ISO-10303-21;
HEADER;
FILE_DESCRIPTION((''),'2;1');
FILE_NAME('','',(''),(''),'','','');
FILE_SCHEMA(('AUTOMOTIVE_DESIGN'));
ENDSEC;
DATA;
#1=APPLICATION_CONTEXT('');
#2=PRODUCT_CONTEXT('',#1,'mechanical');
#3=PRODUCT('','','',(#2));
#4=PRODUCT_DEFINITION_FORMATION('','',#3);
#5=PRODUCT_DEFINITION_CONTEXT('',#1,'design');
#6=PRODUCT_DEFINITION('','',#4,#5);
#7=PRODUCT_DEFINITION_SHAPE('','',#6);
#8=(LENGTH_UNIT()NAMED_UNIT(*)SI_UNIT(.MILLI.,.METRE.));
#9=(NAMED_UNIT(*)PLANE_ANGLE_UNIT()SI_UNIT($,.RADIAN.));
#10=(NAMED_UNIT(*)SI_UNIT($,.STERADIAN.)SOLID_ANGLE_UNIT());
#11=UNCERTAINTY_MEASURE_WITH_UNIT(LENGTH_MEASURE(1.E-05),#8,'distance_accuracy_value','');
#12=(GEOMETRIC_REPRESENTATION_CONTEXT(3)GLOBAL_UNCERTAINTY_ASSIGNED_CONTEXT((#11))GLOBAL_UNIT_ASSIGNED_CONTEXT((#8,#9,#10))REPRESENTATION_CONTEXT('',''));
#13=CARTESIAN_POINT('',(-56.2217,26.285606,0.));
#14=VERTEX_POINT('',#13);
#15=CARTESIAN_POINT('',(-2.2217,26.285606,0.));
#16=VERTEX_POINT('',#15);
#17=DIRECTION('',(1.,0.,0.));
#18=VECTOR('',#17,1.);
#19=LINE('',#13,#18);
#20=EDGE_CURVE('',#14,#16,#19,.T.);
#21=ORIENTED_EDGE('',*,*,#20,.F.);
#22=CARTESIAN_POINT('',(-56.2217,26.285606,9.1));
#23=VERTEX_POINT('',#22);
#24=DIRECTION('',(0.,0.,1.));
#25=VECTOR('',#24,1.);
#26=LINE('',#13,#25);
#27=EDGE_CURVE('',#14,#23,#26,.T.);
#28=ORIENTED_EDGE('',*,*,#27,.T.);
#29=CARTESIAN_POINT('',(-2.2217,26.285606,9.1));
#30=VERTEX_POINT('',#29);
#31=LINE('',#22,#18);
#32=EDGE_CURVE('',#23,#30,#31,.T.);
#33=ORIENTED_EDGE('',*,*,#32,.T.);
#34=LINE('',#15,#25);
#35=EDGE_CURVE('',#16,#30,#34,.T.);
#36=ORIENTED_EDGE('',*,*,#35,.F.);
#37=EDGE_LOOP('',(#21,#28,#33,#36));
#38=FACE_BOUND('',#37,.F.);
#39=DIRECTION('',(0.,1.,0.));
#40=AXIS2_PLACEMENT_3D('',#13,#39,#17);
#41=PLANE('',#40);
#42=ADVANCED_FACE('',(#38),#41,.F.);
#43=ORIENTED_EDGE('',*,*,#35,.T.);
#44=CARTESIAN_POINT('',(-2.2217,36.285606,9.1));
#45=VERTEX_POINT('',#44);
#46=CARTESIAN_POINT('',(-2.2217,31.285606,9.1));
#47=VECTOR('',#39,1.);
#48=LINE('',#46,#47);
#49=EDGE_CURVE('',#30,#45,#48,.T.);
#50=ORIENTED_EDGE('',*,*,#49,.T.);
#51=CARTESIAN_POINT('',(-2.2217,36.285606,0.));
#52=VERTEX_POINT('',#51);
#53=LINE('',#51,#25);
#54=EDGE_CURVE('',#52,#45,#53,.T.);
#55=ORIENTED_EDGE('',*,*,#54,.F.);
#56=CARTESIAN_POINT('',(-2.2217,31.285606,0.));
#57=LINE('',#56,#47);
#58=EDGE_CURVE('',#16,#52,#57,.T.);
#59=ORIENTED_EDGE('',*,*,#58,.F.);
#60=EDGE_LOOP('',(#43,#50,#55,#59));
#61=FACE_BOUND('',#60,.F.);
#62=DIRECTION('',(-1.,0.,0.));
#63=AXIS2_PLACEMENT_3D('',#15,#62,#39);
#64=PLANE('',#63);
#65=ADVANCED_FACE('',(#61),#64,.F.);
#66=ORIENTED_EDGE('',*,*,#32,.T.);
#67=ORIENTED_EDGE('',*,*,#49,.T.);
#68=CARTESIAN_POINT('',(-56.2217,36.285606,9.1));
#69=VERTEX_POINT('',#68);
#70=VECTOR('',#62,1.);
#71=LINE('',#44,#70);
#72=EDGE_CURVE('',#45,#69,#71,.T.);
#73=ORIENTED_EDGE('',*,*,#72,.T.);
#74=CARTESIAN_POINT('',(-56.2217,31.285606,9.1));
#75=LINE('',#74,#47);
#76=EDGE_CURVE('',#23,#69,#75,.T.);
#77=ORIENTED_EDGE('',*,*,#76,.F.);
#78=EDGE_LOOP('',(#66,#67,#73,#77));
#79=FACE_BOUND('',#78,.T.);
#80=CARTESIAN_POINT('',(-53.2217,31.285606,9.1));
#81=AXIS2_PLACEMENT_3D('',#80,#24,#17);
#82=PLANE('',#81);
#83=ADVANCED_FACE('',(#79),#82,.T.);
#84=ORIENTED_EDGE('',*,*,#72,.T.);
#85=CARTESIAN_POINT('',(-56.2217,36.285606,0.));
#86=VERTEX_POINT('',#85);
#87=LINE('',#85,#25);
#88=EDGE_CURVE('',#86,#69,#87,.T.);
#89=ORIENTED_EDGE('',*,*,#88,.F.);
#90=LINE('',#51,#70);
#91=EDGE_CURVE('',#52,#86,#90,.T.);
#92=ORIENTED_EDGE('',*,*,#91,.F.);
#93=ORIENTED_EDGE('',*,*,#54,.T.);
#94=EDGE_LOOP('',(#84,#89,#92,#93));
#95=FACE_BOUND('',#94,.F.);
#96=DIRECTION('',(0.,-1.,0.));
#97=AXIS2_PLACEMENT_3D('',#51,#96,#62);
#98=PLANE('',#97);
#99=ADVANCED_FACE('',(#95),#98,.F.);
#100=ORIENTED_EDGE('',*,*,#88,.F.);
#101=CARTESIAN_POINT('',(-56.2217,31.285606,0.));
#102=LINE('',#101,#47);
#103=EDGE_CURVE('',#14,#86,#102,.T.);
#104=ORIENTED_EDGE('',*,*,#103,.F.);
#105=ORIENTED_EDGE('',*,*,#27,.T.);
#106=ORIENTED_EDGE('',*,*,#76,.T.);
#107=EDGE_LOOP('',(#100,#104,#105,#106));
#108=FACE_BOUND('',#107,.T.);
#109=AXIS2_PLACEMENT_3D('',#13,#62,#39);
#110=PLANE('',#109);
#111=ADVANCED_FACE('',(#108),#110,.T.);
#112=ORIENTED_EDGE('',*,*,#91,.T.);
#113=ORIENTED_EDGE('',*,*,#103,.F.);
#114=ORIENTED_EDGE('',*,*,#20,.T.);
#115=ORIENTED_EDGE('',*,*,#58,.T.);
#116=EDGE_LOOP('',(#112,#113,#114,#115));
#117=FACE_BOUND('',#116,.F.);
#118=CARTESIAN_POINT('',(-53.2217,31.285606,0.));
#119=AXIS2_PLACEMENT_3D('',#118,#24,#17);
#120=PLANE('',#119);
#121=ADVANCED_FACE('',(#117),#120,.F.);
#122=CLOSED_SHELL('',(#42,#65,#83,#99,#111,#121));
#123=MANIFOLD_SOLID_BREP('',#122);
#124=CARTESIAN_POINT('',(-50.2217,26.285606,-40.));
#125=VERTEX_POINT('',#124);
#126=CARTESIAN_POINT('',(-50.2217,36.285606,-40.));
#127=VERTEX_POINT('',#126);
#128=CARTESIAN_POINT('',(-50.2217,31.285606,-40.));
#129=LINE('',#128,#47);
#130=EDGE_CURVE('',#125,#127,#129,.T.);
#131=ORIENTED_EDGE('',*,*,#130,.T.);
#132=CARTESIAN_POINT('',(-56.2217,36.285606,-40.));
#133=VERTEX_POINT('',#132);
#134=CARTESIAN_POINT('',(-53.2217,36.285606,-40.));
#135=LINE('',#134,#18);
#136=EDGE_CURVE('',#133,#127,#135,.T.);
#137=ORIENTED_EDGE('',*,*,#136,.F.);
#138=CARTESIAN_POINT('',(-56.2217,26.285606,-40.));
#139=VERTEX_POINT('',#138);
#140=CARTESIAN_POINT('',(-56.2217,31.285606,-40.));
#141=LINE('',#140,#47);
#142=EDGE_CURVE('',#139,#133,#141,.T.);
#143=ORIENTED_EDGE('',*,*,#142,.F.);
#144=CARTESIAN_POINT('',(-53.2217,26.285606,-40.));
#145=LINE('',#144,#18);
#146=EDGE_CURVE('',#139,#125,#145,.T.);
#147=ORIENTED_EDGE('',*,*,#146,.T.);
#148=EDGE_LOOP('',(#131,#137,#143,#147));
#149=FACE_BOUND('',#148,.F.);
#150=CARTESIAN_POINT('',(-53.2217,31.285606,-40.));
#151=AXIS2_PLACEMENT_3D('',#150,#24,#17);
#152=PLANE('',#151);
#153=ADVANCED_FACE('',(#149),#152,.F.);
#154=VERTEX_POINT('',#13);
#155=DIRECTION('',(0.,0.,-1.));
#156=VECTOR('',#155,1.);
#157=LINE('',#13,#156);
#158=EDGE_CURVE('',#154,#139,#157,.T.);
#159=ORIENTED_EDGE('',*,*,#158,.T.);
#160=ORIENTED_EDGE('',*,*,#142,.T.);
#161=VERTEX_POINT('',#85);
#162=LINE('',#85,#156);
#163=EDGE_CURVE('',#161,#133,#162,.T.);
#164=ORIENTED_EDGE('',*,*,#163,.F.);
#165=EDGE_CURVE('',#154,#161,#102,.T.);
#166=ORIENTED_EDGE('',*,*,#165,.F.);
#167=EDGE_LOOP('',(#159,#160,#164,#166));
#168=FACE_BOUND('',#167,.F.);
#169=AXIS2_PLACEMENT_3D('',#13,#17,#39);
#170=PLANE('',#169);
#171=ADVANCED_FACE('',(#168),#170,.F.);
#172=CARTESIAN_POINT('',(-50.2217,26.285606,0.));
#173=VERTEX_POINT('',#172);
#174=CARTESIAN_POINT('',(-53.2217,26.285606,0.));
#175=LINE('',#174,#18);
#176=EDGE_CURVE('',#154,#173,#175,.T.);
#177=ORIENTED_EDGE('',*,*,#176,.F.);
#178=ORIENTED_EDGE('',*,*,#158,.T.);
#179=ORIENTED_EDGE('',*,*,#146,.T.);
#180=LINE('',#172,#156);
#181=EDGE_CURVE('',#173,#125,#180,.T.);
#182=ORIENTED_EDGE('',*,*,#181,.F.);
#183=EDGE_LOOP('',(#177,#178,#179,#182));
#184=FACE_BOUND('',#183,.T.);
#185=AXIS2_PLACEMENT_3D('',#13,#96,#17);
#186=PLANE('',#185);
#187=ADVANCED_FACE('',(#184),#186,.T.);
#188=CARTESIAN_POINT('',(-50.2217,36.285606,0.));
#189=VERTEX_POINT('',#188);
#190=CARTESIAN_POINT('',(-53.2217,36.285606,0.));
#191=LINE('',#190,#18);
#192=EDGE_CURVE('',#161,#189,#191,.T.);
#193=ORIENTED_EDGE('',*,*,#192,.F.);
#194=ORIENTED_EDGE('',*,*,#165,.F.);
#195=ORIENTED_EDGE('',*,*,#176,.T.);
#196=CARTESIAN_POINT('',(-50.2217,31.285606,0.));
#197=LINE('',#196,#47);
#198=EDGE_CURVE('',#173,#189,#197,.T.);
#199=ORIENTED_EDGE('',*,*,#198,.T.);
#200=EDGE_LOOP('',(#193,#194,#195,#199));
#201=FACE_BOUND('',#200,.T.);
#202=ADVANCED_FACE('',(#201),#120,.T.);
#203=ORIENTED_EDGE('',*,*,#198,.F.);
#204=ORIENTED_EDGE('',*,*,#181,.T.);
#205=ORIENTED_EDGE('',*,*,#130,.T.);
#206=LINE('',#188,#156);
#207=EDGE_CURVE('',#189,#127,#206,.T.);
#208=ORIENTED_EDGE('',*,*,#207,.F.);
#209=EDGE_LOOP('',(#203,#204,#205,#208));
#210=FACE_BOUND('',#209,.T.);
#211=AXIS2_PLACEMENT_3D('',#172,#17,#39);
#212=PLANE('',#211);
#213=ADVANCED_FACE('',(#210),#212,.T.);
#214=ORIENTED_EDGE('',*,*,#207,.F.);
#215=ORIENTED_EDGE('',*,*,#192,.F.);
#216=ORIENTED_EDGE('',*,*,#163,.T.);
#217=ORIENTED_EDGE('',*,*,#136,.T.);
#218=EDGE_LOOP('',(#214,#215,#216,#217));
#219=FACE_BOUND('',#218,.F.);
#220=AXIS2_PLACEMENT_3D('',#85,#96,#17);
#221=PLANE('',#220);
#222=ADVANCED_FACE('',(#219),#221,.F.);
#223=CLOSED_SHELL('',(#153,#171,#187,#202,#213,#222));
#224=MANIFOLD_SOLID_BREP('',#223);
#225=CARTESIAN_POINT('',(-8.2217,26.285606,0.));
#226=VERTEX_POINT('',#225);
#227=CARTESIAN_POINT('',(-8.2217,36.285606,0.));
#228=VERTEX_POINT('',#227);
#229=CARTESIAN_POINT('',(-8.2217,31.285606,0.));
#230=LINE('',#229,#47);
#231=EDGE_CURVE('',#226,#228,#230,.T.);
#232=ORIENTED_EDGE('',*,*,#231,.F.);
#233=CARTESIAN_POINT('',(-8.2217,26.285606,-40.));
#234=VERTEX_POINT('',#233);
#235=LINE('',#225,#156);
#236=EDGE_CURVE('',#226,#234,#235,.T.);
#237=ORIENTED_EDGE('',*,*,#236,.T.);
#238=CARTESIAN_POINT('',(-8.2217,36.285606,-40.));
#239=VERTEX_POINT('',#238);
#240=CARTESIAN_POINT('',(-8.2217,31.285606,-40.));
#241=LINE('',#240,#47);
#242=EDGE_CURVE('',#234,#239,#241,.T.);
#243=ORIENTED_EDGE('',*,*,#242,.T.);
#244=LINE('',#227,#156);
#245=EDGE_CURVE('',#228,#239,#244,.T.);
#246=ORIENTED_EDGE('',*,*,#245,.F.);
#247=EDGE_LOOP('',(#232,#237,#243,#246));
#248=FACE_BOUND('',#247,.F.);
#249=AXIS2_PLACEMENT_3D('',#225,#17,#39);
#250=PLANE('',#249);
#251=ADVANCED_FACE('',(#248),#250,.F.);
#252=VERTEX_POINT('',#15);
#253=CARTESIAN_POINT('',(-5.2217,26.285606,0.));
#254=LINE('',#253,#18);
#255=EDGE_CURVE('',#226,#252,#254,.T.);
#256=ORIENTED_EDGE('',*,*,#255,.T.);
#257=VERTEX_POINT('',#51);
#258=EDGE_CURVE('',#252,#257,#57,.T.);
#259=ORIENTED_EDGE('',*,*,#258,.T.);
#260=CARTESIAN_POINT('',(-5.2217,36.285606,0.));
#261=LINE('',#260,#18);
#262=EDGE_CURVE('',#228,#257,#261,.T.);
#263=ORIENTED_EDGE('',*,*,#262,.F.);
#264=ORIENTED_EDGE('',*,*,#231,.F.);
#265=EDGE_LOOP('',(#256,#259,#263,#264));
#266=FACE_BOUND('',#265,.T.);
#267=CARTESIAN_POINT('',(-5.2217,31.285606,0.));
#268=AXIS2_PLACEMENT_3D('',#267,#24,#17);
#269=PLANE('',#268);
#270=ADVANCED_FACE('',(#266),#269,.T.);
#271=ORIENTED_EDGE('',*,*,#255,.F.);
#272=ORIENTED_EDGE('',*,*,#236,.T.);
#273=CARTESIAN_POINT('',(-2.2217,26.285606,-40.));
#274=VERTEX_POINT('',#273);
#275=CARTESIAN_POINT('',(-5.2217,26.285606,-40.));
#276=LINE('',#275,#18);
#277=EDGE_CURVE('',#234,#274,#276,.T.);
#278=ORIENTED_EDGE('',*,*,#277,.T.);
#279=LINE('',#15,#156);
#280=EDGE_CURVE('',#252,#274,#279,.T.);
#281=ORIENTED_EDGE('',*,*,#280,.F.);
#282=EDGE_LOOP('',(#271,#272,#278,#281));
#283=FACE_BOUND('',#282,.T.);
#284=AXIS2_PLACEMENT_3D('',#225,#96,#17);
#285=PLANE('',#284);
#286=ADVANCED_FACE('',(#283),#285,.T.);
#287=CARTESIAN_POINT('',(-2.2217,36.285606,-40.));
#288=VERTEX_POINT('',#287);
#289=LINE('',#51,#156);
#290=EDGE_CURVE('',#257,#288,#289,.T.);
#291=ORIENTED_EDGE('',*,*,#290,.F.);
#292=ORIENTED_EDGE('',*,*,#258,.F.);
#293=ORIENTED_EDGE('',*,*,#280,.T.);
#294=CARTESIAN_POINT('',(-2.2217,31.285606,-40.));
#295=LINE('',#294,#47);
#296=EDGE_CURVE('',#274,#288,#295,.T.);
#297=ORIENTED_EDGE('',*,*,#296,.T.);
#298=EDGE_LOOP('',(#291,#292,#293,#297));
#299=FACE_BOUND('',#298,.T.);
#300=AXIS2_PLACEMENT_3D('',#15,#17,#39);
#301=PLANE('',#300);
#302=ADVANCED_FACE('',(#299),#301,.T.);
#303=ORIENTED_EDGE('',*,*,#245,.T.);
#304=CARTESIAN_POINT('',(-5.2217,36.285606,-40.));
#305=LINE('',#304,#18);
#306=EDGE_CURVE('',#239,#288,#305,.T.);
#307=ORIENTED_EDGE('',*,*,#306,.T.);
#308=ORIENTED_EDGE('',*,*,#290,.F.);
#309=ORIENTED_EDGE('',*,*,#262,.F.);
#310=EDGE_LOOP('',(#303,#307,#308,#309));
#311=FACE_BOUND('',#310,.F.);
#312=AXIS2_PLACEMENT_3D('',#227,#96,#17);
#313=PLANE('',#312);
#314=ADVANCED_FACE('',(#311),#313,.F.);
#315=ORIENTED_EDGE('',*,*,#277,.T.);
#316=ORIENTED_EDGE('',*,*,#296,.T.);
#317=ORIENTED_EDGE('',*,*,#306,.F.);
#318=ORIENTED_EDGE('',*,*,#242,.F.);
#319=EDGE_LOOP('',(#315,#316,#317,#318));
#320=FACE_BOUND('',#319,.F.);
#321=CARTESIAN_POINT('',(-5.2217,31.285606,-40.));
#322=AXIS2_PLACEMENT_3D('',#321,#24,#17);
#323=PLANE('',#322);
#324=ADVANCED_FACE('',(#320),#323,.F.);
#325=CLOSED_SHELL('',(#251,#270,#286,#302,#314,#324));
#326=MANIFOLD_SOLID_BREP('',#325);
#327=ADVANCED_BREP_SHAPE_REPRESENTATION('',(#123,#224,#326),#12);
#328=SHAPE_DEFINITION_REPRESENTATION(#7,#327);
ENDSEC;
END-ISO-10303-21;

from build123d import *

# Parameters (mm, degrees)
F0_W     = 6
F0_H     = 10
F1_DEPTH = 40
F2_DEPTH = 9.1


with BuildPart() as f1:
    # F0 (on Top) → F1 (new body)
    with BuildSketch(Plane.XY):
        with Locations((-5.2217, 31.285606)):
            Rectangle(F0_W, F0_H)
        with Locations((-53.2217, 31.285606)):
            Rectangle(F0_W, F0_H)
    extrude(amount=-F1_DEPTH)


with BuildPart() as f2:
    # F0 (on Top) → F2 (new body)
    with BuildSketch(Plane.XY):
        with Locations((-53.2217, 31.285606)):
            Rectangle(F0_W, F0_H)
        Polygon((-8.2217, 36.285606), (-50.2217, 36.285606), (-50.2217, 26.285606), (-19.987069, 26.285606), (-13.240066, 26.285606), (-8.2217, 26.285606), align=None)
        with Locations((-5.2217, 31.285606)):
            Rectangle(F0_W, F0_H)
    extrude(amount=F2_DEPTH)


solid = Compound([f1.part, f2.part])
